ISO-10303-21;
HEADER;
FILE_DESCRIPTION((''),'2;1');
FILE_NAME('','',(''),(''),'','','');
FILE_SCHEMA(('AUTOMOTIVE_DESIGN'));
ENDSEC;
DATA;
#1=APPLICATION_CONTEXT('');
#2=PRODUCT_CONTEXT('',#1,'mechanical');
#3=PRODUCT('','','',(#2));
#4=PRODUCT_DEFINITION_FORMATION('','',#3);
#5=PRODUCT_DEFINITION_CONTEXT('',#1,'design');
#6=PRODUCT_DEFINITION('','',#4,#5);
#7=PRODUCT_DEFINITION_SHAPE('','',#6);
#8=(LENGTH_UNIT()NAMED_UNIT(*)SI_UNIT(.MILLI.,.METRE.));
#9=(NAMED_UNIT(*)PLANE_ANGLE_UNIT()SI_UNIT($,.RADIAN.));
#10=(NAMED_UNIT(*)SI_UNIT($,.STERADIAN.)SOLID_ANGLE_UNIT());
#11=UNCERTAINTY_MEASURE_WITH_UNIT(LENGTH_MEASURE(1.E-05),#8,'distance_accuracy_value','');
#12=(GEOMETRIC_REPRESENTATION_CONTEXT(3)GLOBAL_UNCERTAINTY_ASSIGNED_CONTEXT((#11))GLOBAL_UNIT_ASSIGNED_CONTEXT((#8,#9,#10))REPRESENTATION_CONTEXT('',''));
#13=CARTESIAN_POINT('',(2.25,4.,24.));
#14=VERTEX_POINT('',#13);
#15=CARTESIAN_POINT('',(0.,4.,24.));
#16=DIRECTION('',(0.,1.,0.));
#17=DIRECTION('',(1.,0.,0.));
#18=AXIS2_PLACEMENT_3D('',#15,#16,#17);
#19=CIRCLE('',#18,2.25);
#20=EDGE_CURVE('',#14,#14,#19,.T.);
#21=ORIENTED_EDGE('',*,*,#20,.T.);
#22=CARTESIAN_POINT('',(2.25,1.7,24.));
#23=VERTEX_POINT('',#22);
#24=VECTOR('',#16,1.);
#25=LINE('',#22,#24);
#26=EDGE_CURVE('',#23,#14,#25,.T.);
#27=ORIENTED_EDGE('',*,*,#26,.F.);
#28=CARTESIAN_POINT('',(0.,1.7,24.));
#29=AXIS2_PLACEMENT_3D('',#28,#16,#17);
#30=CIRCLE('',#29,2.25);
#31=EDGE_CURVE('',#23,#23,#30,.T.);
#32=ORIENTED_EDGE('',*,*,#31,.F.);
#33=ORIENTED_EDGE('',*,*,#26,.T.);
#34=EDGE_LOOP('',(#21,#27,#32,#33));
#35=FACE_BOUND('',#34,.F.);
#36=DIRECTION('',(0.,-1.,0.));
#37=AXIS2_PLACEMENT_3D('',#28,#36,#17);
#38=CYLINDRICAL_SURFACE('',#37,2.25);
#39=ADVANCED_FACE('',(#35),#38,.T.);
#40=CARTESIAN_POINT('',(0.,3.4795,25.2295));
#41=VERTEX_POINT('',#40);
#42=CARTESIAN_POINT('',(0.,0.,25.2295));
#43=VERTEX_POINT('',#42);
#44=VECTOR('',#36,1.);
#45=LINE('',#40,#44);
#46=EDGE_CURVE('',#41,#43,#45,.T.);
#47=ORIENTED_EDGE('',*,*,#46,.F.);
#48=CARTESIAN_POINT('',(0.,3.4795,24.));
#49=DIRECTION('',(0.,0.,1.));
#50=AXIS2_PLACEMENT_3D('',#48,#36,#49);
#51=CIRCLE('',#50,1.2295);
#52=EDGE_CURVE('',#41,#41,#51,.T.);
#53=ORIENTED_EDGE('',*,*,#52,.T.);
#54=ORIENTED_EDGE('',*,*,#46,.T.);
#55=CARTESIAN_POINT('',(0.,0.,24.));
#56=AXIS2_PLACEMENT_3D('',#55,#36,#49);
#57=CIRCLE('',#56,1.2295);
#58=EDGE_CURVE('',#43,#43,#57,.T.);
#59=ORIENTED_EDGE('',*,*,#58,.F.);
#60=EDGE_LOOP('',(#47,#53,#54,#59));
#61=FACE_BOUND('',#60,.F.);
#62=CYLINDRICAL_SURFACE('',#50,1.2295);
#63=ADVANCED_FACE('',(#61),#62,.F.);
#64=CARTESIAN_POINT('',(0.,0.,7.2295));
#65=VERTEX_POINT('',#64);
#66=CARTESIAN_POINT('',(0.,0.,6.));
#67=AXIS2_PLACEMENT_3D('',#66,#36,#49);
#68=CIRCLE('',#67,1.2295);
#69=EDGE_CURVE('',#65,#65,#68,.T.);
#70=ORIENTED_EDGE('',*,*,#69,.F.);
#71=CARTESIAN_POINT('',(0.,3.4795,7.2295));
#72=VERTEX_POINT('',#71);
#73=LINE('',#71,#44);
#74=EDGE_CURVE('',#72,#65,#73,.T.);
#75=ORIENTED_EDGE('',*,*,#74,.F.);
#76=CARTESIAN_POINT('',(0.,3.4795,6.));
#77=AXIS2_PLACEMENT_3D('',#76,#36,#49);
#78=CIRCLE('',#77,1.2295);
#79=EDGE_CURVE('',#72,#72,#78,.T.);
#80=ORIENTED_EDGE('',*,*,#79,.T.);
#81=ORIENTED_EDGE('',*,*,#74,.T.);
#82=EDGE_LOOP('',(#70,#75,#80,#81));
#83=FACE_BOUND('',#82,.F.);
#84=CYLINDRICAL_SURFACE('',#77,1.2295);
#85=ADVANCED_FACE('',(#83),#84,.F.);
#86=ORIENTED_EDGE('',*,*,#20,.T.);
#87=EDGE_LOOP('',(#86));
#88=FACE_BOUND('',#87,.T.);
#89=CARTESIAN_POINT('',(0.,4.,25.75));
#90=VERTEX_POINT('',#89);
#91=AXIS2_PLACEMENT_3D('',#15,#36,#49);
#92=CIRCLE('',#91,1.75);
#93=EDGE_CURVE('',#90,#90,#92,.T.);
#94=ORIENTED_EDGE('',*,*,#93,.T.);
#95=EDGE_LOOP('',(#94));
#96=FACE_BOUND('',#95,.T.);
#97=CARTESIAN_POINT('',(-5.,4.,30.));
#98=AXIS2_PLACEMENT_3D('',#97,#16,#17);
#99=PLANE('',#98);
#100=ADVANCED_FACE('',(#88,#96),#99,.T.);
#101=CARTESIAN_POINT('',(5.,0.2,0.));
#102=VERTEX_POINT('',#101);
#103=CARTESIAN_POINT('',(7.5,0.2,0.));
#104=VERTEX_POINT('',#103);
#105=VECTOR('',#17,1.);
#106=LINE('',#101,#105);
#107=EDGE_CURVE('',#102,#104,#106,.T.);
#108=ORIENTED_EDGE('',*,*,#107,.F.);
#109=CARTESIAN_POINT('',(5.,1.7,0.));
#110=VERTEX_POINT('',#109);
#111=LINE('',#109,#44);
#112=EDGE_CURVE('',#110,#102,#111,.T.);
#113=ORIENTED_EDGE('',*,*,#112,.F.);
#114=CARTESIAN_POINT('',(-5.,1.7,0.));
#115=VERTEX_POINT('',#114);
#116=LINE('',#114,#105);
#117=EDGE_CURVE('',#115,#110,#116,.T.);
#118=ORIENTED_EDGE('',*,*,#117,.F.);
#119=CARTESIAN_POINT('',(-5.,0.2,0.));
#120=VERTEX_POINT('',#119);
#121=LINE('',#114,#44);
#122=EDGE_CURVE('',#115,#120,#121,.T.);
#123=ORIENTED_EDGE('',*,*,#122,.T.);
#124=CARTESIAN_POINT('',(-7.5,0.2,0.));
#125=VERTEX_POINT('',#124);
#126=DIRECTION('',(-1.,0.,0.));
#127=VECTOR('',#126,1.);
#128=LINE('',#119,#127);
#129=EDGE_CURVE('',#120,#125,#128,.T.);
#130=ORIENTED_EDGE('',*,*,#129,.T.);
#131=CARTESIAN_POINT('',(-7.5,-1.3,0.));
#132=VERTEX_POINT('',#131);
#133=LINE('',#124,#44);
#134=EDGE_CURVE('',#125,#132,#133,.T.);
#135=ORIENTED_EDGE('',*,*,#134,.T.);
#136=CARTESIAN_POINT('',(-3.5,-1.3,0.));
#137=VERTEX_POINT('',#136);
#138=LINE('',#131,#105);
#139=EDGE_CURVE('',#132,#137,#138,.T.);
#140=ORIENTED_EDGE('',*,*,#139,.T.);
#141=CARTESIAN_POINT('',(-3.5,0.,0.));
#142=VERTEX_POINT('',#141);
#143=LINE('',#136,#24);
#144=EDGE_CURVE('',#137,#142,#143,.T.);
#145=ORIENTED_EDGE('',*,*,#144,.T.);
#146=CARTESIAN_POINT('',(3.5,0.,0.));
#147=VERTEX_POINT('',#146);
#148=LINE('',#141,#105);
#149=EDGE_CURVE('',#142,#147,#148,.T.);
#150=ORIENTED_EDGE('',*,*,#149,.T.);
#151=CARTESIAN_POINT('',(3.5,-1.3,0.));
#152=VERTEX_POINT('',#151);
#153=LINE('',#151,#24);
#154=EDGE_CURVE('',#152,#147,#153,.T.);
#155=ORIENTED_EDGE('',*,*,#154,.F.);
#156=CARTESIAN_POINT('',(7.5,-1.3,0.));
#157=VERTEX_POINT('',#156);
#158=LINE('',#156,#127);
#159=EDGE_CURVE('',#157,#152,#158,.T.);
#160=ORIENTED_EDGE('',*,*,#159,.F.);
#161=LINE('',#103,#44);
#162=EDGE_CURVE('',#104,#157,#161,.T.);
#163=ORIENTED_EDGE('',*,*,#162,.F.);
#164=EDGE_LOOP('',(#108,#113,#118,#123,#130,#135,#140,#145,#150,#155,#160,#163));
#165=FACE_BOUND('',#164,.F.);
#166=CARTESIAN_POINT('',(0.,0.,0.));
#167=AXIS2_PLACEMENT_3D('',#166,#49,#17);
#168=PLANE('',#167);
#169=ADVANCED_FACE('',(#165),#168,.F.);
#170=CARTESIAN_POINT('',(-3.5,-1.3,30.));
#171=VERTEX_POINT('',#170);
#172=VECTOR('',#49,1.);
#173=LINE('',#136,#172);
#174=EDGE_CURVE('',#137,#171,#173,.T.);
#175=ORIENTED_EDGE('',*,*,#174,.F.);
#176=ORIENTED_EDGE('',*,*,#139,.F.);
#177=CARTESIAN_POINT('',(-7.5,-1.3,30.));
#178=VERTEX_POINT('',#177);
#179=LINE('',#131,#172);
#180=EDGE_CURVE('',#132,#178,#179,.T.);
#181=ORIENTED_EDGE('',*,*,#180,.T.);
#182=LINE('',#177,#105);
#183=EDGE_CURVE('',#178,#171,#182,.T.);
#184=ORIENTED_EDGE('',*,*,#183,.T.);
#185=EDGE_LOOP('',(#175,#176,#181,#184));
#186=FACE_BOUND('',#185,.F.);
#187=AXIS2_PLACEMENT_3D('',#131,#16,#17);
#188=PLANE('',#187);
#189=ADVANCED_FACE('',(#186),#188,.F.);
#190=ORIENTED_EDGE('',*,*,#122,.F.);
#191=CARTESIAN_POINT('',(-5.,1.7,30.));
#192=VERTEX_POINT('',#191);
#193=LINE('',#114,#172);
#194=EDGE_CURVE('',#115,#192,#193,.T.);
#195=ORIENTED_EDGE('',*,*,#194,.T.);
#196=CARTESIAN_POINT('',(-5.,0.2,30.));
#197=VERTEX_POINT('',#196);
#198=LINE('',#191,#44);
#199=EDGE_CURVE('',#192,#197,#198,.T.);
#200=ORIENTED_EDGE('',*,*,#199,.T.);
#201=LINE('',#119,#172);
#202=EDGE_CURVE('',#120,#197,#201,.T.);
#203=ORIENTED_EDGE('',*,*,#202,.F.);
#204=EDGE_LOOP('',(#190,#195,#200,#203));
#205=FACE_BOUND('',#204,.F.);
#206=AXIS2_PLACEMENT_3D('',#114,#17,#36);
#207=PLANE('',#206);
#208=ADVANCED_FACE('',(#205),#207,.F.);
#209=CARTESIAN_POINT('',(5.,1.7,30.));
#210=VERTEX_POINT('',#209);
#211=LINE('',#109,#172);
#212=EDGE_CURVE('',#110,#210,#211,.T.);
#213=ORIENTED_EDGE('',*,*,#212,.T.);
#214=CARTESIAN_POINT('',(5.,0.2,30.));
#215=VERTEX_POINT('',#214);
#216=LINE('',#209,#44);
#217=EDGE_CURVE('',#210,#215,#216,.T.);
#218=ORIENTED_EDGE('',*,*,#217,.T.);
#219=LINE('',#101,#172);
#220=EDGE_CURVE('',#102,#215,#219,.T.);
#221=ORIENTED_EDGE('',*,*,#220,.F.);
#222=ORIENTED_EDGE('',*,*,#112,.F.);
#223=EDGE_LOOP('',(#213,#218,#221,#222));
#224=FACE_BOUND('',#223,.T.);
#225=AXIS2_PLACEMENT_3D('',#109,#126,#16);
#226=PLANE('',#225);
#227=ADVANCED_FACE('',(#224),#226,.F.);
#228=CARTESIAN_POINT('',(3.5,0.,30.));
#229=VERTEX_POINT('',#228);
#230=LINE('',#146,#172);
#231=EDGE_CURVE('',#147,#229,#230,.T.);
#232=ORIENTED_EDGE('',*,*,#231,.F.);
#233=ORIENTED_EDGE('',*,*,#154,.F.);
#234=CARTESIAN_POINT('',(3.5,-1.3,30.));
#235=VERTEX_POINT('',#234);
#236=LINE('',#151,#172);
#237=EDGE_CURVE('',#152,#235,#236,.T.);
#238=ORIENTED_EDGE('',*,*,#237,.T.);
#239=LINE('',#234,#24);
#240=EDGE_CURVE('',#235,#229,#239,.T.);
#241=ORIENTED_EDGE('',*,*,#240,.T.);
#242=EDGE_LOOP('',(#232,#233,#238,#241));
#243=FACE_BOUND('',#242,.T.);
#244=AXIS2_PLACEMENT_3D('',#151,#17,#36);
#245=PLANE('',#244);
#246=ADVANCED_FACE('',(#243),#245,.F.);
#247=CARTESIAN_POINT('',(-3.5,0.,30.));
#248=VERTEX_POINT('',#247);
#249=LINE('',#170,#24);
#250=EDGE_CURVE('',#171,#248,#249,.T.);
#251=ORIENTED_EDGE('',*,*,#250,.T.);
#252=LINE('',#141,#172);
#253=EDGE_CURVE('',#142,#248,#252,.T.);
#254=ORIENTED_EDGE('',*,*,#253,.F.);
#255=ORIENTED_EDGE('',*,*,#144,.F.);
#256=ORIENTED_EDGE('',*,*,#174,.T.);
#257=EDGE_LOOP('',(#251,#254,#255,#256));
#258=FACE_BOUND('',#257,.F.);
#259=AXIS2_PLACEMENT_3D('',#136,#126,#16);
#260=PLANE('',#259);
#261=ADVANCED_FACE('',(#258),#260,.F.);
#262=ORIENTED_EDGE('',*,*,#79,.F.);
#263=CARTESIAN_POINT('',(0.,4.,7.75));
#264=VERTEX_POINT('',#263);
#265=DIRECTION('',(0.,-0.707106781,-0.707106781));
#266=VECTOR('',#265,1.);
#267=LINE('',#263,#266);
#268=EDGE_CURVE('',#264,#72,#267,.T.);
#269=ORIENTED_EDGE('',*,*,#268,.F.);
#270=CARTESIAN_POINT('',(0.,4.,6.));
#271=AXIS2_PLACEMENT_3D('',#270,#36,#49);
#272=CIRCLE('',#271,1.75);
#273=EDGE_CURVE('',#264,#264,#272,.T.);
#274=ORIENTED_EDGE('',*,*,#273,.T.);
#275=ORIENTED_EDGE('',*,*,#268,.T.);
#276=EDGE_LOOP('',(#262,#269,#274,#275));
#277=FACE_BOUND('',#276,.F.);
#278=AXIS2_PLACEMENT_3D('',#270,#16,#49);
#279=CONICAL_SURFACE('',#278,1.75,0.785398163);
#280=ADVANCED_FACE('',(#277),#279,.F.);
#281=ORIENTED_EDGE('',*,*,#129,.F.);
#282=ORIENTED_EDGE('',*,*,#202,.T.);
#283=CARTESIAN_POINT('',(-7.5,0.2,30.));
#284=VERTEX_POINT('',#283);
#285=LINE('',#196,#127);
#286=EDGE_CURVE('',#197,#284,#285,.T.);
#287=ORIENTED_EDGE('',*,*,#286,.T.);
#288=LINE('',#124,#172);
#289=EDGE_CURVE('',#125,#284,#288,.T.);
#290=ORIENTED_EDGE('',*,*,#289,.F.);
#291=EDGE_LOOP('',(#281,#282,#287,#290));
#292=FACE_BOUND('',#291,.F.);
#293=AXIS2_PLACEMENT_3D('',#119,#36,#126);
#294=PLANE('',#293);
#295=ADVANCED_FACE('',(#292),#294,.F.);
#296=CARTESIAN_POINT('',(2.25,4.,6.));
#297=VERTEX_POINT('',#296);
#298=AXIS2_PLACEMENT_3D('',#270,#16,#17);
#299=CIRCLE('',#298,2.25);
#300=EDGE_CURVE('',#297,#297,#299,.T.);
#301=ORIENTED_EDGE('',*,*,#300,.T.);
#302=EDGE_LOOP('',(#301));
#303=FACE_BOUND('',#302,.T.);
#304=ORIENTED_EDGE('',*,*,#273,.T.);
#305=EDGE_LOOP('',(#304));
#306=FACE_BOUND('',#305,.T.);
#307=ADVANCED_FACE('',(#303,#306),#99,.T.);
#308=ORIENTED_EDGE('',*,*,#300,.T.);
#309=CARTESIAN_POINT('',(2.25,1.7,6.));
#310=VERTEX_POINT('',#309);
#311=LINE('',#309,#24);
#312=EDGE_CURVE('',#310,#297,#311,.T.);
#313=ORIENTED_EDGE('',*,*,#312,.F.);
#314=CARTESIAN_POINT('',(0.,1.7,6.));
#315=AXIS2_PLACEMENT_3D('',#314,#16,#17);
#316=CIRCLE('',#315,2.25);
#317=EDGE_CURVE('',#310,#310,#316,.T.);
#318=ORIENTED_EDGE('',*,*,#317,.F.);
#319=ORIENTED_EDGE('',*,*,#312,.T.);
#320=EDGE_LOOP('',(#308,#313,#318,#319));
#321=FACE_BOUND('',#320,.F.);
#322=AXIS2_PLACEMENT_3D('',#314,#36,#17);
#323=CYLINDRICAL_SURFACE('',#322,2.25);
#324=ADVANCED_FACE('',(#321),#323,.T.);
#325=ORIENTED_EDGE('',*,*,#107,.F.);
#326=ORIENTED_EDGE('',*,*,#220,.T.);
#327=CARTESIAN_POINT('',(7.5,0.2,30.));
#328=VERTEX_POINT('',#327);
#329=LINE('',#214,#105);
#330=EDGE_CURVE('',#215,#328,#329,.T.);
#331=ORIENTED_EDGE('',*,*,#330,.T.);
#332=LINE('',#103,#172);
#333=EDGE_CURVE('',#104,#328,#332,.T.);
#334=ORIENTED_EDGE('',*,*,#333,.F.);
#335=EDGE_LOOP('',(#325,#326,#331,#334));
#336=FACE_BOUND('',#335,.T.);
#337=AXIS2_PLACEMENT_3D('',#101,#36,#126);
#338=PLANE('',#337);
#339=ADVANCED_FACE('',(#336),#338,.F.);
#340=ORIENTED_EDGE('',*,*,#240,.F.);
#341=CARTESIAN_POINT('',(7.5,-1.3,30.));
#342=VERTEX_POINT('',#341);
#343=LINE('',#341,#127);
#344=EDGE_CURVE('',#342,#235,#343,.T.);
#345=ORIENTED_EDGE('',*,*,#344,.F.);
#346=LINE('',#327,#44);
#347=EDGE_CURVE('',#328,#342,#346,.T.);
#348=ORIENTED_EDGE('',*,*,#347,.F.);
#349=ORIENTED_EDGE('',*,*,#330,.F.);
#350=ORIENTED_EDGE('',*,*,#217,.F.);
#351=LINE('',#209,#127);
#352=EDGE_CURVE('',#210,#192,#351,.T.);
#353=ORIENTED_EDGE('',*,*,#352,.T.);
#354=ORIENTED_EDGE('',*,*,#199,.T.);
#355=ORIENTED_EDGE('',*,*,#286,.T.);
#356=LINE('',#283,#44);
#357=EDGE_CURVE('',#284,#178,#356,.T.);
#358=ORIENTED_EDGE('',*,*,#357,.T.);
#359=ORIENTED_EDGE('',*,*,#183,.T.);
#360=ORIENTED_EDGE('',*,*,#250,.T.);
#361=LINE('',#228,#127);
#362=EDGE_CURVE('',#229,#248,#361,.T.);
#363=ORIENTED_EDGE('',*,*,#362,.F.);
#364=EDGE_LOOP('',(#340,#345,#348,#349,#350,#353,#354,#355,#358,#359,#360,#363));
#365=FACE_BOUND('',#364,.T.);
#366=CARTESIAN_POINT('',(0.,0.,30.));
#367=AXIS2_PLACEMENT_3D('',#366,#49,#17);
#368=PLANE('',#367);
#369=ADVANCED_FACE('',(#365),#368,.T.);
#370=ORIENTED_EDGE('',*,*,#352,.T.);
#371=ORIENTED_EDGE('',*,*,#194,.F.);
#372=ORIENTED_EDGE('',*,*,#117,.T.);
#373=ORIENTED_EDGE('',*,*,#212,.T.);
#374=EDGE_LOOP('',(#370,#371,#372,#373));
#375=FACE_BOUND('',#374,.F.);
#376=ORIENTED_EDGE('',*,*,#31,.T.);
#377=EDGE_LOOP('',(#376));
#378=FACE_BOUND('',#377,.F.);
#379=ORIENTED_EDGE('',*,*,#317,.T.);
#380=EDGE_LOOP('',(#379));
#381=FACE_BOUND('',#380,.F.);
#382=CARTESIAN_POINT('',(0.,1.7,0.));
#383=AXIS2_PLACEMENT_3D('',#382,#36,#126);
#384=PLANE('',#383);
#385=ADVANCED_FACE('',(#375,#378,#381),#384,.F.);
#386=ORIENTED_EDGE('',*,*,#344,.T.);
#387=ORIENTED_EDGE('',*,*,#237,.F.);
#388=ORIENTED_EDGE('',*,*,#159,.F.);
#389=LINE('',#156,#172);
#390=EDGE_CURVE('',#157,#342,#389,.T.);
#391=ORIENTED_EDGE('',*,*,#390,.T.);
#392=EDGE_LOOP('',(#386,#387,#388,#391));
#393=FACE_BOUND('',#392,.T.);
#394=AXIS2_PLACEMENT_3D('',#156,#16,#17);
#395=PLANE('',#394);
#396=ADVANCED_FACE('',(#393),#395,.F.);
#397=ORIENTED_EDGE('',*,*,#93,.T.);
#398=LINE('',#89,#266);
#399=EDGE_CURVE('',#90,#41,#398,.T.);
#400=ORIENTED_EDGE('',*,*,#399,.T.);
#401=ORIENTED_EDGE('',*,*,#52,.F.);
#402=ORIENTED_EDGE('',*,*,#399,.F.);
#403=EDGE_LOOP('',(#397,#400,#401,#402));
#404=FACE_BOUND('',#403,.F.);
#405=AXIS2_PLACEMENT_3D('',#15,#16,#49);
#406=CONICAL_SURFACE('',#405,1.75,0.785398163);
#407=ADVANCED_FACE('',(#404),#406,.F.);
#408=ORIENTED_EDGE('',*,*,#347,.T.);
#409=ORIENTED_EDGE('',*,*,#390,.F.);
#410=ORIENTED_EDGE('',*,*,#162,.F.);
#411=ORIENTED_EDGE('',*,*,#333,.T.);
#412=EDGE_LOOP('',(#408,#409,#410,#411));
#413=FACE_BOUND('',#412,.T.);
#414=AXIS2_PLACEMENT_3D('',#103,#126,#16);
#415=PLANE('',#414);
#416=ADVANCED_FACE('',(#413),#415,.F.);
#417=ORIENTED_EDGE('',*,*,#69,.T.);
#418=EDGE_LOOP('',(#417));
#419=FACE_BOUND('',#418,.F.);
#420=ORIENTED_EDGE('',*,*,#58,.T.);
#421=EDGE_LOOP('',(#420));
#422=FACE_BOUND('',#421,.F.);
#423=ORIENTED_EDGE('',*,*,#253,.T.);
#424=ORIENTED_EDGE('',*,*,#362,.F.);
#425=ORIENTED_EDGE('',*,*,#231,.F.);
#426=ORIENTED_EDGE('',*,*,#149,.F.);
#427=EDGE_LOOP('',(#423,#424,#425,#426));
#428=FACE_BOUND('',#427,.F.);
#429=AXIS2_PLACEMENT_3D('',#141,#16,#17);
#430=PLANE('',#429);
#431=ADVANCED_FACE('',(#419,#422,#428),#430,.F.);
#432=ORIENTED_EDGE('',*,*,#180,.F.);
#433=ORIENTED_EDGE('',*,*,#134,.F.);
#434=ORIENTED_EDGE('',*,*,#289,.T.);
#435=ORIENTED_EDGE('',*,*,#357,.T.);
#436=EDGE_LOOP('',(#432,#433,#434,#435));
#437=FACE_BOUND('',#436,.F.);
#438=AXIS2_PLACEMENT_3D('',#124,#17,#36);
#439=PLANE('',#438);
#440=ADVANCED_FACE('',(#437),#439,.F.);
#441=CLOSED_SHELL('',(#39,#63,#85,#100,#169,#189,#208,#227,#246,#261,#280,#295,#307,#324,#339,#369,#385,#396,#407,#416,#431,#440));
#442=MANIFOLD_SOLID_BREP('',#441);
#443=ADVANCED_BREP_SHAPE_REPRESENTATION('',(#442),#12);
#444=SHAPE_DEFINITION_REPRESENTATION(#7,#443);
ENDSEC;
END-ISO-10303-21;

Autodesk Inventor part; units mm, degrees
ref_plane "YZ Plane" through (0, 0, 0) normal (1, 0, 0) x (0, 1, 0)
ref_plane "XZ Plane" through (0, 0, 0) normal (0, 1, 0) x (-1, 0, 0)
ref_plane "XY Plane" through (0, 0, 0) normal (0, 0, 1) x (1, 0, 0)
sketch "Skizze1" plane through (0, 0, 0) normal (0, 0, 1) x (1, 0, 0)
  line L0 (0, 0) -> (0, 1.7)
  line L1 (0, 1.7) -> (-5, 1.7)
  line L2 (-5, 1.7) -> (-5, 0.2)
  line L3 (-5, 0.2) -> (-7.5, 0.2)
  line L4 (-7.5, 0.2) -> (-7.5, -1.3)
  line L5 (-7.5, -1.3) -> (-3.5, -1.3)
  line L6 (-3.5, -1.3) -> (-3.5, 0)
  line L7 (-3.5, 0) -> (0, 0)
  dimension "d0" = 4
  dimension "d1" = 1.5
  dimension "d2" = 2.5
  dimension "d3" = 3
  dimension "d4" = 5
  dimension "d5" = 1.7
extrude "Extrusion1" add sketch "Skizze1" along normal blind 30
mirror "Spiegeln1" about plane through (0, 0, 0) normal (1, 0, 0) of "Extrusion1"
sketch "Skizze2" plane through (-5, 1.7, 30) normal (0, 1, 0) x (1, 0, 0)
  circle A0 centre (5, 24) radius 2.25
  circle A1 centre (5, 6) radius 2.25
  line L0 (10, 30) -> (0, 30) projected
  line L1 (5, 30) -> (5, 24) construction
  line L2 (5, 6) -> (5, 0) construction
  line L3 (0, 0) -> (10, 0) construction
  dimension "d8" = 4.5
  dimension "d9" = 18
extrude "Extrusion2" add sketch "Skizze2" along normal blind 2.3
sketch "Skizze3" plane through (0, 4, 24) normal (0, 1, 0) x (1, 0, 0)
  circle A0 centre (0, 0) radius 2.25 construction
  circle A1 centre (0, 18) radius 2.25 construction
  point P0 (0, 24)
hole "Bohrung1" at (0, 4, 24) at (0, 4, 6) direction (0, -1, 0) diameter 2.459 end through all countersink diameter 3.5 countersink angle 90 thread size "M3x0.5" class "6H" standard "ISO Metric profile"
properties part number "Igus Gleiter"
